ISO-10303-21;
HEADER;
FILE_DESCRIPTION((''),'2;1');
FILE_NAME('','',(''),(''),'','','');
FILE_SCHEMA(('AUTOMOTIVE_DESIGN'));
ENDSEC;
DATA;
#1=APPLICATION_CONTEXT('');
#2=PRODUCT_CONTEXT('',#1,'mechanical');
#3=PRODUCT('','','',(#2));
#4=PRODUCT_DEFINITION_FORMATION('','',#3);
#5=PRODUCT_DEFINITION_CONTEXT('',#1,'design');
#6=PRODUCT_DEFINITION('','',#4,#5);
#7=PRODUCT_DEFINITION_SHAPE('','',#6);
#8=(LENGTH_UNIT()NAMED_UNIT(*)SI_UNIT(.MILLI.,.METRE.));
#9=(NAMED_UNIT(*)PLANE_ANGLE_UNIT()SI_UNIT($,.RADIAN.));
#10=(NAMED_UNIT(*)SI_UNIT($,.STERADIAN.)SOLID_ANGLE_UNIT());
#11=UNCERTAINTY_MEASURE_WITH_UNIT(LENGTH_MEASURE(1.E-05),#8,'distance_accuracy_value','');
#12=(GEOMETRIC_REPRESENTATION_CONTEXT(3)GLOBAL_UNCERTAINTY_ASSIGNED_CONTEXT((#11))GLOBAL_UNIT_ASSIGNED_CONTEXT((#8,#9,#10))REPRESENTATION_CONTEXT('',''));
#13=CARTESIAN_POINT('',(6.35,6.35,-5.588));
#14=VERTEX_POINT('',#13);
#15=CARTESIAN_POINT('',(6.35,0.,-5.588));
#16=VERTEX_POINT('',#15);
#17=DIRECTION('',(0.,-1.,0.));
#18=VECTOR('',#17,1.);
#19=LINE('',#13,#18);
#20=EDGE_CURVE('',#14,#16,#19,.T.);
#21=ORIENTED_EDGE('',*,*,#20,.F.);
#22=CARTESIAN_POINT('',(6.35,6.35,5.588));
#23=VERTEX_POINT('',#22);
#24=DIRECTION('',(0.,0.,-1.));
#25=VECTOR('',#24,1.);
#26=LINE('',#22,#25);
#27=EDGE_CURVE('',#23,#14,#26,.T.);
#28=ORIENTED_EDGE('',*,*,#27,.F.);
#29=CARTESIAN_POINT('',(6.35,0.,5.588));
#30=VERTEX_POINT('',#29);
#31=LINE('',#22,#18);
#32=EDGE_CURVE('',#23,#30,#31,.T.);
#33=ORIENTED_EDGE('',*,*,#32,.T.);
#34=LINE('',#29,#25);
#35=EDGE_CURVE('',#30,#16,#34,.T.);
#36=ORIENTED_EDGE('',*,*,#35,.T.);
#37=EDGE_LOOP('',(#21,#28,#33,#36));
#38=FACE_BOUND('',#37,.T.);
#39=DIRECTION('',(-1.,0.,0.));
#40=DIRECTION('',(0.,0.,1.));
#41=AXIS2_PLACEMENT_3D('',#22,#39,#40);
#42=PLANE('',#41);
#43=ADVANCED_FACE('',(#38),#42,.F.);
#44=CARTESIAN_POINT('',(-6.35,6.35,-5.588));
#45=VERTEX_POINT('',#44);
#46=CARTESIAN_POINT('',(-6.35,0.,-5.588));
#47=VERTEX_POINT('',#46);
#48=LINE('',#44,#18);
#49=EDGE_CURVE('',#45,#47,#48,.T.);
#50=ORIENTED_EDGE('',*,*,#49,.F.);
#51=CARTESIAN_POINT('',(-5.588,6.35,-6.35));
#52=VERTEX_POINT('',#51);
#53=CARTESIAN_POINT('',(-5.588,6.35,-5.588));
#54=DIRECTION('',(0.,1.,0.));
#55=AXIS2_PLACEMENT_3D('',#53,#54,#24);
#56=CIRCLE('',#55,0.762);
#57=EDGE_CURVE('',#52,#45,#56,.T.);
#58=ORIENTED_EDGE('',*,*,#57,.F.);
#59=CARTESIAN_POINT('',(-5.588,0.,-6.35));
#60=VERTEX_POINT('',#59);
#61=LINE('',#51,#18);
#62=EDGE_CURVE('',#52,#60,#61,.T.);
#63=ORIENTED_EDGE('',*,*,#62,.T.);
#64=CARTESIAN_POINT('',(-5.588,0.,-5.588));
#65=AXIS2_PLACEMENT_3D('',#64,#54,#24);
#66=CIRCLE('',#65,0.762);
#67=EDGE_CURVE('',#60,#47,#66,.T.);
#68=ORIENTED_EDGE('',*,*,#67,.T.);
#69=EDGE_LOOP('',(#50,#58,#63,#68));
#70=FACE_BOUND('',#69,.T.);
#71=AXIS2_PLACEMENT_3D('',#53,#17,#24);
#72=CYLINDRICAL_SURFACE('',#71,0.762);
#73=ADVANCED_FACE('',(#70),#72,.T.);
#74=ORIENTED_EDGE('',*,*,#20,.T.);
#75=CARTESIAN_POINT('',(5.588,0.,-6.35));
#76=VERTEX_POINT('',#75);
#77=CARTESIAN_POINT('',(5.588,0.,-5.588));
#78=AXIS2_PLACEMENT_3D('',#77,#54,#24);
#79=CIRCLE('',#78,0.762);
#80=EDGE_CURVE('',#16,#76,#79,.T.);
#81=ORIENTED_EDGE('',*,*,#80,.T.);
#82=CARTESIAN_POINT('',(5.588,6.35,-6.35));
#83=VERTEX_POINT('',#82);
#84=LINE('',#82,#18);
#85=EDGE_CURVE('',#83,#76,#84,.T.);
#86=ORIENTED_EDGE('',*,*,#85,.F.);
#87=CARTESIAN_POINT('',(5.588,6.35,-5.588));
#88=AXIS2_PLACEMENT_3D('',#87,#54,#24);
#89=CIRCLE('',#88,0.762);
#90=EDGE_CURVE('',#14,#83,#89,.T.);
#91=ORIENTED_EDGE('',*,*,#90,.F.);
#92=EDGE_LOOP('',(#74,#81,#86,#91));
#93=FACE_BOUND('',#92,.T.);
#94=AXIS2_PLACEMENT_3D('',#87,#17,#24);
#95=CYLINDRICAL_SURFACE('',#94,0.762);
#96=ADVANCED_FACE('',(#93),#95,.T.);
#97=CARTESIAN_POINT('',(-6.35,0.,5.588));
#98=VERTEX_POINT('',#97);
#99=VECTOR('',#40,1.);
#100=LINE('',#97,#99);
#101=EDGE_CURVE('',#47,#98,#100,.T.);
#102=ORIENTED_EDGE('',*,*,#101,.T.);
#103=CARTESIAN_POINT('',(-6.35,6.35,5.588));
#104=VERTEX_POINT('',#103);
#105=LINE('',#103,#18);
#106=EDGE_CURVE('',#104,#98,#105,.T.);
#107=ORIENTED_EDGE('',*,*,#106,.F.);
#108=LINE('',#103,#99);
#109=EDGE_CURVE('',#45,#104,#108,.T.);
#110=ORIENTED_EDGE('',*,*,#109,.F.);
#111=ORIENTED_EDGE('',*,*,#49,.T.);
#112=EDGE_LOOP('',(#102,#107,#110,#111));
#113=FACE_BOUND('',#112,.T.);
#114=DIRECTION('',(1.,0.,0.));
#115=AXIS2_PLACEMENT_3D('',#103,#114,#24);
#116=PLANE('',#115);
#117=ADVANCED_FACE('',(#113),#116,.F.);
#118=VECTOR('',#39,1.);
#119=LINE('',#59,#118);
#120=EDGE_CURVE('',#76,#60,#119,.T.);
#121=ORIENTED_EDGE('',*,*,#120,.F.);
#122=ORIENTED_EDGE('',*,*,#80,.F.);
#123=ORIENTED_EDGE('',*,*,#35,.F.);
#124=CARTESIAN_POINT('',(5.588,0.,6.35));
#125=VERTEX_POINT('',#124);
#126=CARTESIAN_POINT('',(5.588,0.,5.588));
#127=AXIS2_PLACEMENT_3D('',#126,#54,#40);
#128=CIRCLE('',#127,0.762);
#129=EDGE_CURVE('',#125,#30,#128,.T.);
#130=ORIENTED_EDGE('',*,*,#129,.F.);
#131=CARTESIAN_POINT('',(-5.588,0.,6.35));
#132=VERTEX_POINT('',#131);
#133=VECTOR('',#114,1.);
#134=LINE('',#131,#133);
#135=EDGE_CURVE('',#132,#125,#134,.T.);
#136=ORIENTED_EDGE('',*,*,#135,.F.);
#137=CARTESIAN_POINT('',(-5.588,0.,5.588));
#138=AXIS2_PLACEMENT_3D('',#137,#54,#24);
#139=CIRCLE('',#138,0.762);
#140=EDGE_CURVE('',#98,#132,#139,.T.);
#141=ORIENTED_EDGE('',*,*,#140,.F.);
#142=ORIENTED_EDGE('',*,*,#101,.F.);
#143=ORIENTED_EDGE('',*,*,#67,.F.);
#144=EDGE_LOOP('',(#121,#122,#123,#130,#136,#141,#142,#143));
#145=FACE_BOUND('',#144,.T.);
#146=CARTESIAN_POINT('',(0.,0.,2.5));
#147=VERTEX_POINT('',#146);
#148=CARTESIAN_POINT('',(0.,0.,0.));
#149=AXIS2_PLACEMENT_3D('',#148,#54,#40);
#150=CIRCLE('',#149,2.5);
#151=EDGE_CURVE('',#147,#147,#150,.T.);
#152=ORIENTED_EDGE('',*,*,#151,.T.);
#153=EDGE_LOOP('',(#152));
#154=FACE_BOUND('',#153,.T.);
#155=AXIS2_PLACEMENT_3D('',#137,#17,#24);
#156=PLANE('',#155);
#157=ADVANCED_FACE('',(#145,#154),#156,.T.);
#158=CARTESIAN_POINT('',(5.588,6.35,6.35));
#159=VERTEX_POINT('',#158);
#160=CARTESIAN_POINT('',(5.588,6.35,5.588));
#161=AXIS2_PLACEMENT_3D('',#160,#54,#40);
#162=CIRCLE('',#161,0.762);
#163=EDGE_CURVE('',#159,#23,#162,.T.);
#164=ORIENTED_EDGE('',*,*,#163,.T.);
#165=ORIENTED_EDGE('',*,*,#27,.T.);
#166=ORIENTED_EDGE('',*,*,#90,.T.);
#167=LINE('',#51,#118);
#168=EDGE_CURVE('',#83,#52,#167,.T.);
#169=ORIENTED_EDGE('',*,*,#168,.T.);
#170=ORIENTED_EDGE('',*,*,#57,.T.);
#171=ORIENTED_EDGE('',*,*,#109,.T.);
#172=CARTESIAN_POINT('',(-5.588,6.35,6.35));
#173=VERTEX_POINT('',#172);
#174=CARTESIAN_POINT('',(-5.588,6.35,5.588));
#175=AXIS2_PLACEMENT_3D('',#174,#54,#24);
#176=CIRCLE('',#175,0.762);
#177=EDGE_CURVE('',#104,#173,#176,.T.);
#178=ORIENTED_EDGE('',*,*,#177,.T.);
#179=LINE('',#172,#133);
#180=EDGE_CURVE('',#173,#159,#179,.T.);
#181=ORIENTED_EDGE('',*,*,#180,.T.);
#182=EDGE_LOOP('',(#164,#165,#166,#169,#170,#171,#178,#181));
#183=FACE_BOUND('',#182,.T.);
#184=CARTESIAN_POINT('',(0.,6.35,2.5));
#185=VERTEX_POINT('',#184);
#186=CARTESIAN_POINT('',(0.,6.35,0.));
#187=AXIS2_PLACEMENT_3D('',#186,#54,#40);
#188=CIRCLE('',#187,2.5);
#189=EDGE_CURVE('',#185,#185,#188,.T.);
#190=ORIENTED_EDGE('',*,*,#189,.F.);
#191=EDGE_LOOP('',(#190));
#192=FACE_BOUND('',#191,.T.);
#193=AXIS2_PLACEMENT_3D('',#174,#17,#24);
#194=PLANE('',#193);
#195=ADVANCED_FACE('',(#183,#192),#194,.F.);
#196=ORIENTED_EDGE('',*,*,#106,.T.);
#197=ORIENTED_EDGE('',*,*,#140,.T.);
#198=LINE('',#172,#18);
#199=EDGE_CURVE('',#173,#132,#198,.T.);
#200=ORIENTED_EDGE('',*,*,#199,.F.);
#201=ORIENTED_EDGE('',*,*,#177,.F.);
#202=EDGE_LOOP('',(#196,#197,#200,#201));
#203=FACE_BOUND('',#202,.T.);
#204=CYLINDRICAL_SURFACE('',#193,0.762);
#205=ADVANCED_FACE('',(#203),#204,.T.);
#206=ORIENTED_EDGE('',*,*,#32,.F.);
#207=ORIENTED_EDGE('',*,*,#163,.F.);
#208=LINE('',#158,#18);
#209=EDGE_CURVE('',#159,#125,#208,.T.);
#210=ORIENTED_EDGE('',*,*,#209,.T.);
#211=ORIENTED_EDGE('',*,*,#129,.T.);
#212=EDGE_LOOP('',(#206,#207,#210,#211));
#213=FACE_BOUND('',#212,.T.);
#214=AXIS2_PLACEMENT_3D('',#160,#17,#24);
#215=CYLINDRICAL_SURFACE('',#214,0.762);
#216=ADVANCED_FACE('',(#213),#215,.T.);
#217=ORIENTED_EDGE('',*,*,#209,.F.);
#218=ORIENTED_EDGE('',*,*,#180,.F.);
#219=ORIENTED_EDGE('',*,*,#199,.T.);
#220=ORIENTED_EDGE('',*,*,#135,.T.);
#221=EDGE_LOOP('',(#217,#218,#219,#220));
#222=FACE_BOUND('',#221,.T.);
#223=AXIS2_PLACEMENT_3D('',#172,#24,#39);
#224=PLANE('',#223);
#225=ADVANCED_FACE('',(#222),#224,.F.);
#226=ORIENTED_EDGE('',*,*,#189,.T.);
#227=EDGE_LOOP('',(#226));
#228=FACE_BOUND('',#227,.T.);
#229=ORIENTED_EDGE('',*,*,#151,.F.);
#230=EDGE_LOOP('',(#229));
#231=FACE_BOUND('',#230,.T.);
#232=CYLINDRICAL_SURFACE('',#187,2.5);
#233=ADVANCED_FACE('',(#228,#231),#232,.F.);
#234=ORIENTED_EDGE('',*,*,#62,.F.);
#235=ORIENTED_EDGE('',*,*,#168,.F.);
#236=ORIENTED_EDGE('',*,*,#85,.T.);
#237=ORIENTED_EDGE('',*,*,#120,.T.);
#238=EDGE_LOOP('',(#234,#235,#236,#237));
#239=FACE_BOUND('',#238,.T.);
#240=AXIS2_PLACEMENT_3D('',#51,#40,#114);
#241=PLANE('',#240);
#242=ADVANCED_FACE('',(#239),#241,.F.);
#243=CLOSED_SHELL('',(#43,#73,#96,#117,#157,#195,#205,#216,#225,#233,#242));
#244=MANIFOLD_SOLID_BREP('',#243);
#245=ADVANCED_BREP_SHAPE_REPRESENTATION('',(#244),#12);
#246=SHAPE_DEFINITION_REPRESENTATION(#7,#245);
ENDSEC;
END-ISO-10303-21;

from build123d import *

# Parameters (mm, degrees)
BOSS_EXTRUDE1_DEPTH   = 6.35
M6X1_0_TAPPED_HOLE1_D = 5


with BuildPart() as part:
    # Sketch1 → Boss-Extrude1 (new body)
    with BuildSketch(Plane(origin=(0, 0, 0), x_dir=(1, 0, 0), z_dir=(0, 1, 0))):
        with BuildLine():
            Line((-5.588, -6.35), (5.588, -6.35))
            ThreePointArc((5.588, -6.35), (6.126815367, -6.126815367), (6.35, -5.588))
            Line((6.35, -5.588), (6.35, 5.588))
            ThreePointArc((6.35, 5.588), (6.126815367, 6.126815367), (5.588, 6.35))
            Line((5.588, 6.35), (-5.588, 6.35))
            ThreePointArc((-5.588, 6.35), (-6.126815367, 6.126815367), (-6.35, 5.588))
            Line((-6.35, 5.588), (-6.35, -5.588))
            ThreePointArc((-6.35, -5.588), (-6.126815367, -6.126815367), (-5.588, -6.35))
        make_face()
    extrude(amount=BOSS_EXTRUDE1_DEPTH)

    # M6x1.0 Tapped Hole1 (through all)
    with Locations(Plane(origin=(0, 6.35, 0), x_dir=(1, 0, 0), z_dir=(0, 1, 0))):
        with Locations((0, 0)):
            Hole(M6X1_0_TAPPED_HOLE1_D / 2)


solid = part.part
